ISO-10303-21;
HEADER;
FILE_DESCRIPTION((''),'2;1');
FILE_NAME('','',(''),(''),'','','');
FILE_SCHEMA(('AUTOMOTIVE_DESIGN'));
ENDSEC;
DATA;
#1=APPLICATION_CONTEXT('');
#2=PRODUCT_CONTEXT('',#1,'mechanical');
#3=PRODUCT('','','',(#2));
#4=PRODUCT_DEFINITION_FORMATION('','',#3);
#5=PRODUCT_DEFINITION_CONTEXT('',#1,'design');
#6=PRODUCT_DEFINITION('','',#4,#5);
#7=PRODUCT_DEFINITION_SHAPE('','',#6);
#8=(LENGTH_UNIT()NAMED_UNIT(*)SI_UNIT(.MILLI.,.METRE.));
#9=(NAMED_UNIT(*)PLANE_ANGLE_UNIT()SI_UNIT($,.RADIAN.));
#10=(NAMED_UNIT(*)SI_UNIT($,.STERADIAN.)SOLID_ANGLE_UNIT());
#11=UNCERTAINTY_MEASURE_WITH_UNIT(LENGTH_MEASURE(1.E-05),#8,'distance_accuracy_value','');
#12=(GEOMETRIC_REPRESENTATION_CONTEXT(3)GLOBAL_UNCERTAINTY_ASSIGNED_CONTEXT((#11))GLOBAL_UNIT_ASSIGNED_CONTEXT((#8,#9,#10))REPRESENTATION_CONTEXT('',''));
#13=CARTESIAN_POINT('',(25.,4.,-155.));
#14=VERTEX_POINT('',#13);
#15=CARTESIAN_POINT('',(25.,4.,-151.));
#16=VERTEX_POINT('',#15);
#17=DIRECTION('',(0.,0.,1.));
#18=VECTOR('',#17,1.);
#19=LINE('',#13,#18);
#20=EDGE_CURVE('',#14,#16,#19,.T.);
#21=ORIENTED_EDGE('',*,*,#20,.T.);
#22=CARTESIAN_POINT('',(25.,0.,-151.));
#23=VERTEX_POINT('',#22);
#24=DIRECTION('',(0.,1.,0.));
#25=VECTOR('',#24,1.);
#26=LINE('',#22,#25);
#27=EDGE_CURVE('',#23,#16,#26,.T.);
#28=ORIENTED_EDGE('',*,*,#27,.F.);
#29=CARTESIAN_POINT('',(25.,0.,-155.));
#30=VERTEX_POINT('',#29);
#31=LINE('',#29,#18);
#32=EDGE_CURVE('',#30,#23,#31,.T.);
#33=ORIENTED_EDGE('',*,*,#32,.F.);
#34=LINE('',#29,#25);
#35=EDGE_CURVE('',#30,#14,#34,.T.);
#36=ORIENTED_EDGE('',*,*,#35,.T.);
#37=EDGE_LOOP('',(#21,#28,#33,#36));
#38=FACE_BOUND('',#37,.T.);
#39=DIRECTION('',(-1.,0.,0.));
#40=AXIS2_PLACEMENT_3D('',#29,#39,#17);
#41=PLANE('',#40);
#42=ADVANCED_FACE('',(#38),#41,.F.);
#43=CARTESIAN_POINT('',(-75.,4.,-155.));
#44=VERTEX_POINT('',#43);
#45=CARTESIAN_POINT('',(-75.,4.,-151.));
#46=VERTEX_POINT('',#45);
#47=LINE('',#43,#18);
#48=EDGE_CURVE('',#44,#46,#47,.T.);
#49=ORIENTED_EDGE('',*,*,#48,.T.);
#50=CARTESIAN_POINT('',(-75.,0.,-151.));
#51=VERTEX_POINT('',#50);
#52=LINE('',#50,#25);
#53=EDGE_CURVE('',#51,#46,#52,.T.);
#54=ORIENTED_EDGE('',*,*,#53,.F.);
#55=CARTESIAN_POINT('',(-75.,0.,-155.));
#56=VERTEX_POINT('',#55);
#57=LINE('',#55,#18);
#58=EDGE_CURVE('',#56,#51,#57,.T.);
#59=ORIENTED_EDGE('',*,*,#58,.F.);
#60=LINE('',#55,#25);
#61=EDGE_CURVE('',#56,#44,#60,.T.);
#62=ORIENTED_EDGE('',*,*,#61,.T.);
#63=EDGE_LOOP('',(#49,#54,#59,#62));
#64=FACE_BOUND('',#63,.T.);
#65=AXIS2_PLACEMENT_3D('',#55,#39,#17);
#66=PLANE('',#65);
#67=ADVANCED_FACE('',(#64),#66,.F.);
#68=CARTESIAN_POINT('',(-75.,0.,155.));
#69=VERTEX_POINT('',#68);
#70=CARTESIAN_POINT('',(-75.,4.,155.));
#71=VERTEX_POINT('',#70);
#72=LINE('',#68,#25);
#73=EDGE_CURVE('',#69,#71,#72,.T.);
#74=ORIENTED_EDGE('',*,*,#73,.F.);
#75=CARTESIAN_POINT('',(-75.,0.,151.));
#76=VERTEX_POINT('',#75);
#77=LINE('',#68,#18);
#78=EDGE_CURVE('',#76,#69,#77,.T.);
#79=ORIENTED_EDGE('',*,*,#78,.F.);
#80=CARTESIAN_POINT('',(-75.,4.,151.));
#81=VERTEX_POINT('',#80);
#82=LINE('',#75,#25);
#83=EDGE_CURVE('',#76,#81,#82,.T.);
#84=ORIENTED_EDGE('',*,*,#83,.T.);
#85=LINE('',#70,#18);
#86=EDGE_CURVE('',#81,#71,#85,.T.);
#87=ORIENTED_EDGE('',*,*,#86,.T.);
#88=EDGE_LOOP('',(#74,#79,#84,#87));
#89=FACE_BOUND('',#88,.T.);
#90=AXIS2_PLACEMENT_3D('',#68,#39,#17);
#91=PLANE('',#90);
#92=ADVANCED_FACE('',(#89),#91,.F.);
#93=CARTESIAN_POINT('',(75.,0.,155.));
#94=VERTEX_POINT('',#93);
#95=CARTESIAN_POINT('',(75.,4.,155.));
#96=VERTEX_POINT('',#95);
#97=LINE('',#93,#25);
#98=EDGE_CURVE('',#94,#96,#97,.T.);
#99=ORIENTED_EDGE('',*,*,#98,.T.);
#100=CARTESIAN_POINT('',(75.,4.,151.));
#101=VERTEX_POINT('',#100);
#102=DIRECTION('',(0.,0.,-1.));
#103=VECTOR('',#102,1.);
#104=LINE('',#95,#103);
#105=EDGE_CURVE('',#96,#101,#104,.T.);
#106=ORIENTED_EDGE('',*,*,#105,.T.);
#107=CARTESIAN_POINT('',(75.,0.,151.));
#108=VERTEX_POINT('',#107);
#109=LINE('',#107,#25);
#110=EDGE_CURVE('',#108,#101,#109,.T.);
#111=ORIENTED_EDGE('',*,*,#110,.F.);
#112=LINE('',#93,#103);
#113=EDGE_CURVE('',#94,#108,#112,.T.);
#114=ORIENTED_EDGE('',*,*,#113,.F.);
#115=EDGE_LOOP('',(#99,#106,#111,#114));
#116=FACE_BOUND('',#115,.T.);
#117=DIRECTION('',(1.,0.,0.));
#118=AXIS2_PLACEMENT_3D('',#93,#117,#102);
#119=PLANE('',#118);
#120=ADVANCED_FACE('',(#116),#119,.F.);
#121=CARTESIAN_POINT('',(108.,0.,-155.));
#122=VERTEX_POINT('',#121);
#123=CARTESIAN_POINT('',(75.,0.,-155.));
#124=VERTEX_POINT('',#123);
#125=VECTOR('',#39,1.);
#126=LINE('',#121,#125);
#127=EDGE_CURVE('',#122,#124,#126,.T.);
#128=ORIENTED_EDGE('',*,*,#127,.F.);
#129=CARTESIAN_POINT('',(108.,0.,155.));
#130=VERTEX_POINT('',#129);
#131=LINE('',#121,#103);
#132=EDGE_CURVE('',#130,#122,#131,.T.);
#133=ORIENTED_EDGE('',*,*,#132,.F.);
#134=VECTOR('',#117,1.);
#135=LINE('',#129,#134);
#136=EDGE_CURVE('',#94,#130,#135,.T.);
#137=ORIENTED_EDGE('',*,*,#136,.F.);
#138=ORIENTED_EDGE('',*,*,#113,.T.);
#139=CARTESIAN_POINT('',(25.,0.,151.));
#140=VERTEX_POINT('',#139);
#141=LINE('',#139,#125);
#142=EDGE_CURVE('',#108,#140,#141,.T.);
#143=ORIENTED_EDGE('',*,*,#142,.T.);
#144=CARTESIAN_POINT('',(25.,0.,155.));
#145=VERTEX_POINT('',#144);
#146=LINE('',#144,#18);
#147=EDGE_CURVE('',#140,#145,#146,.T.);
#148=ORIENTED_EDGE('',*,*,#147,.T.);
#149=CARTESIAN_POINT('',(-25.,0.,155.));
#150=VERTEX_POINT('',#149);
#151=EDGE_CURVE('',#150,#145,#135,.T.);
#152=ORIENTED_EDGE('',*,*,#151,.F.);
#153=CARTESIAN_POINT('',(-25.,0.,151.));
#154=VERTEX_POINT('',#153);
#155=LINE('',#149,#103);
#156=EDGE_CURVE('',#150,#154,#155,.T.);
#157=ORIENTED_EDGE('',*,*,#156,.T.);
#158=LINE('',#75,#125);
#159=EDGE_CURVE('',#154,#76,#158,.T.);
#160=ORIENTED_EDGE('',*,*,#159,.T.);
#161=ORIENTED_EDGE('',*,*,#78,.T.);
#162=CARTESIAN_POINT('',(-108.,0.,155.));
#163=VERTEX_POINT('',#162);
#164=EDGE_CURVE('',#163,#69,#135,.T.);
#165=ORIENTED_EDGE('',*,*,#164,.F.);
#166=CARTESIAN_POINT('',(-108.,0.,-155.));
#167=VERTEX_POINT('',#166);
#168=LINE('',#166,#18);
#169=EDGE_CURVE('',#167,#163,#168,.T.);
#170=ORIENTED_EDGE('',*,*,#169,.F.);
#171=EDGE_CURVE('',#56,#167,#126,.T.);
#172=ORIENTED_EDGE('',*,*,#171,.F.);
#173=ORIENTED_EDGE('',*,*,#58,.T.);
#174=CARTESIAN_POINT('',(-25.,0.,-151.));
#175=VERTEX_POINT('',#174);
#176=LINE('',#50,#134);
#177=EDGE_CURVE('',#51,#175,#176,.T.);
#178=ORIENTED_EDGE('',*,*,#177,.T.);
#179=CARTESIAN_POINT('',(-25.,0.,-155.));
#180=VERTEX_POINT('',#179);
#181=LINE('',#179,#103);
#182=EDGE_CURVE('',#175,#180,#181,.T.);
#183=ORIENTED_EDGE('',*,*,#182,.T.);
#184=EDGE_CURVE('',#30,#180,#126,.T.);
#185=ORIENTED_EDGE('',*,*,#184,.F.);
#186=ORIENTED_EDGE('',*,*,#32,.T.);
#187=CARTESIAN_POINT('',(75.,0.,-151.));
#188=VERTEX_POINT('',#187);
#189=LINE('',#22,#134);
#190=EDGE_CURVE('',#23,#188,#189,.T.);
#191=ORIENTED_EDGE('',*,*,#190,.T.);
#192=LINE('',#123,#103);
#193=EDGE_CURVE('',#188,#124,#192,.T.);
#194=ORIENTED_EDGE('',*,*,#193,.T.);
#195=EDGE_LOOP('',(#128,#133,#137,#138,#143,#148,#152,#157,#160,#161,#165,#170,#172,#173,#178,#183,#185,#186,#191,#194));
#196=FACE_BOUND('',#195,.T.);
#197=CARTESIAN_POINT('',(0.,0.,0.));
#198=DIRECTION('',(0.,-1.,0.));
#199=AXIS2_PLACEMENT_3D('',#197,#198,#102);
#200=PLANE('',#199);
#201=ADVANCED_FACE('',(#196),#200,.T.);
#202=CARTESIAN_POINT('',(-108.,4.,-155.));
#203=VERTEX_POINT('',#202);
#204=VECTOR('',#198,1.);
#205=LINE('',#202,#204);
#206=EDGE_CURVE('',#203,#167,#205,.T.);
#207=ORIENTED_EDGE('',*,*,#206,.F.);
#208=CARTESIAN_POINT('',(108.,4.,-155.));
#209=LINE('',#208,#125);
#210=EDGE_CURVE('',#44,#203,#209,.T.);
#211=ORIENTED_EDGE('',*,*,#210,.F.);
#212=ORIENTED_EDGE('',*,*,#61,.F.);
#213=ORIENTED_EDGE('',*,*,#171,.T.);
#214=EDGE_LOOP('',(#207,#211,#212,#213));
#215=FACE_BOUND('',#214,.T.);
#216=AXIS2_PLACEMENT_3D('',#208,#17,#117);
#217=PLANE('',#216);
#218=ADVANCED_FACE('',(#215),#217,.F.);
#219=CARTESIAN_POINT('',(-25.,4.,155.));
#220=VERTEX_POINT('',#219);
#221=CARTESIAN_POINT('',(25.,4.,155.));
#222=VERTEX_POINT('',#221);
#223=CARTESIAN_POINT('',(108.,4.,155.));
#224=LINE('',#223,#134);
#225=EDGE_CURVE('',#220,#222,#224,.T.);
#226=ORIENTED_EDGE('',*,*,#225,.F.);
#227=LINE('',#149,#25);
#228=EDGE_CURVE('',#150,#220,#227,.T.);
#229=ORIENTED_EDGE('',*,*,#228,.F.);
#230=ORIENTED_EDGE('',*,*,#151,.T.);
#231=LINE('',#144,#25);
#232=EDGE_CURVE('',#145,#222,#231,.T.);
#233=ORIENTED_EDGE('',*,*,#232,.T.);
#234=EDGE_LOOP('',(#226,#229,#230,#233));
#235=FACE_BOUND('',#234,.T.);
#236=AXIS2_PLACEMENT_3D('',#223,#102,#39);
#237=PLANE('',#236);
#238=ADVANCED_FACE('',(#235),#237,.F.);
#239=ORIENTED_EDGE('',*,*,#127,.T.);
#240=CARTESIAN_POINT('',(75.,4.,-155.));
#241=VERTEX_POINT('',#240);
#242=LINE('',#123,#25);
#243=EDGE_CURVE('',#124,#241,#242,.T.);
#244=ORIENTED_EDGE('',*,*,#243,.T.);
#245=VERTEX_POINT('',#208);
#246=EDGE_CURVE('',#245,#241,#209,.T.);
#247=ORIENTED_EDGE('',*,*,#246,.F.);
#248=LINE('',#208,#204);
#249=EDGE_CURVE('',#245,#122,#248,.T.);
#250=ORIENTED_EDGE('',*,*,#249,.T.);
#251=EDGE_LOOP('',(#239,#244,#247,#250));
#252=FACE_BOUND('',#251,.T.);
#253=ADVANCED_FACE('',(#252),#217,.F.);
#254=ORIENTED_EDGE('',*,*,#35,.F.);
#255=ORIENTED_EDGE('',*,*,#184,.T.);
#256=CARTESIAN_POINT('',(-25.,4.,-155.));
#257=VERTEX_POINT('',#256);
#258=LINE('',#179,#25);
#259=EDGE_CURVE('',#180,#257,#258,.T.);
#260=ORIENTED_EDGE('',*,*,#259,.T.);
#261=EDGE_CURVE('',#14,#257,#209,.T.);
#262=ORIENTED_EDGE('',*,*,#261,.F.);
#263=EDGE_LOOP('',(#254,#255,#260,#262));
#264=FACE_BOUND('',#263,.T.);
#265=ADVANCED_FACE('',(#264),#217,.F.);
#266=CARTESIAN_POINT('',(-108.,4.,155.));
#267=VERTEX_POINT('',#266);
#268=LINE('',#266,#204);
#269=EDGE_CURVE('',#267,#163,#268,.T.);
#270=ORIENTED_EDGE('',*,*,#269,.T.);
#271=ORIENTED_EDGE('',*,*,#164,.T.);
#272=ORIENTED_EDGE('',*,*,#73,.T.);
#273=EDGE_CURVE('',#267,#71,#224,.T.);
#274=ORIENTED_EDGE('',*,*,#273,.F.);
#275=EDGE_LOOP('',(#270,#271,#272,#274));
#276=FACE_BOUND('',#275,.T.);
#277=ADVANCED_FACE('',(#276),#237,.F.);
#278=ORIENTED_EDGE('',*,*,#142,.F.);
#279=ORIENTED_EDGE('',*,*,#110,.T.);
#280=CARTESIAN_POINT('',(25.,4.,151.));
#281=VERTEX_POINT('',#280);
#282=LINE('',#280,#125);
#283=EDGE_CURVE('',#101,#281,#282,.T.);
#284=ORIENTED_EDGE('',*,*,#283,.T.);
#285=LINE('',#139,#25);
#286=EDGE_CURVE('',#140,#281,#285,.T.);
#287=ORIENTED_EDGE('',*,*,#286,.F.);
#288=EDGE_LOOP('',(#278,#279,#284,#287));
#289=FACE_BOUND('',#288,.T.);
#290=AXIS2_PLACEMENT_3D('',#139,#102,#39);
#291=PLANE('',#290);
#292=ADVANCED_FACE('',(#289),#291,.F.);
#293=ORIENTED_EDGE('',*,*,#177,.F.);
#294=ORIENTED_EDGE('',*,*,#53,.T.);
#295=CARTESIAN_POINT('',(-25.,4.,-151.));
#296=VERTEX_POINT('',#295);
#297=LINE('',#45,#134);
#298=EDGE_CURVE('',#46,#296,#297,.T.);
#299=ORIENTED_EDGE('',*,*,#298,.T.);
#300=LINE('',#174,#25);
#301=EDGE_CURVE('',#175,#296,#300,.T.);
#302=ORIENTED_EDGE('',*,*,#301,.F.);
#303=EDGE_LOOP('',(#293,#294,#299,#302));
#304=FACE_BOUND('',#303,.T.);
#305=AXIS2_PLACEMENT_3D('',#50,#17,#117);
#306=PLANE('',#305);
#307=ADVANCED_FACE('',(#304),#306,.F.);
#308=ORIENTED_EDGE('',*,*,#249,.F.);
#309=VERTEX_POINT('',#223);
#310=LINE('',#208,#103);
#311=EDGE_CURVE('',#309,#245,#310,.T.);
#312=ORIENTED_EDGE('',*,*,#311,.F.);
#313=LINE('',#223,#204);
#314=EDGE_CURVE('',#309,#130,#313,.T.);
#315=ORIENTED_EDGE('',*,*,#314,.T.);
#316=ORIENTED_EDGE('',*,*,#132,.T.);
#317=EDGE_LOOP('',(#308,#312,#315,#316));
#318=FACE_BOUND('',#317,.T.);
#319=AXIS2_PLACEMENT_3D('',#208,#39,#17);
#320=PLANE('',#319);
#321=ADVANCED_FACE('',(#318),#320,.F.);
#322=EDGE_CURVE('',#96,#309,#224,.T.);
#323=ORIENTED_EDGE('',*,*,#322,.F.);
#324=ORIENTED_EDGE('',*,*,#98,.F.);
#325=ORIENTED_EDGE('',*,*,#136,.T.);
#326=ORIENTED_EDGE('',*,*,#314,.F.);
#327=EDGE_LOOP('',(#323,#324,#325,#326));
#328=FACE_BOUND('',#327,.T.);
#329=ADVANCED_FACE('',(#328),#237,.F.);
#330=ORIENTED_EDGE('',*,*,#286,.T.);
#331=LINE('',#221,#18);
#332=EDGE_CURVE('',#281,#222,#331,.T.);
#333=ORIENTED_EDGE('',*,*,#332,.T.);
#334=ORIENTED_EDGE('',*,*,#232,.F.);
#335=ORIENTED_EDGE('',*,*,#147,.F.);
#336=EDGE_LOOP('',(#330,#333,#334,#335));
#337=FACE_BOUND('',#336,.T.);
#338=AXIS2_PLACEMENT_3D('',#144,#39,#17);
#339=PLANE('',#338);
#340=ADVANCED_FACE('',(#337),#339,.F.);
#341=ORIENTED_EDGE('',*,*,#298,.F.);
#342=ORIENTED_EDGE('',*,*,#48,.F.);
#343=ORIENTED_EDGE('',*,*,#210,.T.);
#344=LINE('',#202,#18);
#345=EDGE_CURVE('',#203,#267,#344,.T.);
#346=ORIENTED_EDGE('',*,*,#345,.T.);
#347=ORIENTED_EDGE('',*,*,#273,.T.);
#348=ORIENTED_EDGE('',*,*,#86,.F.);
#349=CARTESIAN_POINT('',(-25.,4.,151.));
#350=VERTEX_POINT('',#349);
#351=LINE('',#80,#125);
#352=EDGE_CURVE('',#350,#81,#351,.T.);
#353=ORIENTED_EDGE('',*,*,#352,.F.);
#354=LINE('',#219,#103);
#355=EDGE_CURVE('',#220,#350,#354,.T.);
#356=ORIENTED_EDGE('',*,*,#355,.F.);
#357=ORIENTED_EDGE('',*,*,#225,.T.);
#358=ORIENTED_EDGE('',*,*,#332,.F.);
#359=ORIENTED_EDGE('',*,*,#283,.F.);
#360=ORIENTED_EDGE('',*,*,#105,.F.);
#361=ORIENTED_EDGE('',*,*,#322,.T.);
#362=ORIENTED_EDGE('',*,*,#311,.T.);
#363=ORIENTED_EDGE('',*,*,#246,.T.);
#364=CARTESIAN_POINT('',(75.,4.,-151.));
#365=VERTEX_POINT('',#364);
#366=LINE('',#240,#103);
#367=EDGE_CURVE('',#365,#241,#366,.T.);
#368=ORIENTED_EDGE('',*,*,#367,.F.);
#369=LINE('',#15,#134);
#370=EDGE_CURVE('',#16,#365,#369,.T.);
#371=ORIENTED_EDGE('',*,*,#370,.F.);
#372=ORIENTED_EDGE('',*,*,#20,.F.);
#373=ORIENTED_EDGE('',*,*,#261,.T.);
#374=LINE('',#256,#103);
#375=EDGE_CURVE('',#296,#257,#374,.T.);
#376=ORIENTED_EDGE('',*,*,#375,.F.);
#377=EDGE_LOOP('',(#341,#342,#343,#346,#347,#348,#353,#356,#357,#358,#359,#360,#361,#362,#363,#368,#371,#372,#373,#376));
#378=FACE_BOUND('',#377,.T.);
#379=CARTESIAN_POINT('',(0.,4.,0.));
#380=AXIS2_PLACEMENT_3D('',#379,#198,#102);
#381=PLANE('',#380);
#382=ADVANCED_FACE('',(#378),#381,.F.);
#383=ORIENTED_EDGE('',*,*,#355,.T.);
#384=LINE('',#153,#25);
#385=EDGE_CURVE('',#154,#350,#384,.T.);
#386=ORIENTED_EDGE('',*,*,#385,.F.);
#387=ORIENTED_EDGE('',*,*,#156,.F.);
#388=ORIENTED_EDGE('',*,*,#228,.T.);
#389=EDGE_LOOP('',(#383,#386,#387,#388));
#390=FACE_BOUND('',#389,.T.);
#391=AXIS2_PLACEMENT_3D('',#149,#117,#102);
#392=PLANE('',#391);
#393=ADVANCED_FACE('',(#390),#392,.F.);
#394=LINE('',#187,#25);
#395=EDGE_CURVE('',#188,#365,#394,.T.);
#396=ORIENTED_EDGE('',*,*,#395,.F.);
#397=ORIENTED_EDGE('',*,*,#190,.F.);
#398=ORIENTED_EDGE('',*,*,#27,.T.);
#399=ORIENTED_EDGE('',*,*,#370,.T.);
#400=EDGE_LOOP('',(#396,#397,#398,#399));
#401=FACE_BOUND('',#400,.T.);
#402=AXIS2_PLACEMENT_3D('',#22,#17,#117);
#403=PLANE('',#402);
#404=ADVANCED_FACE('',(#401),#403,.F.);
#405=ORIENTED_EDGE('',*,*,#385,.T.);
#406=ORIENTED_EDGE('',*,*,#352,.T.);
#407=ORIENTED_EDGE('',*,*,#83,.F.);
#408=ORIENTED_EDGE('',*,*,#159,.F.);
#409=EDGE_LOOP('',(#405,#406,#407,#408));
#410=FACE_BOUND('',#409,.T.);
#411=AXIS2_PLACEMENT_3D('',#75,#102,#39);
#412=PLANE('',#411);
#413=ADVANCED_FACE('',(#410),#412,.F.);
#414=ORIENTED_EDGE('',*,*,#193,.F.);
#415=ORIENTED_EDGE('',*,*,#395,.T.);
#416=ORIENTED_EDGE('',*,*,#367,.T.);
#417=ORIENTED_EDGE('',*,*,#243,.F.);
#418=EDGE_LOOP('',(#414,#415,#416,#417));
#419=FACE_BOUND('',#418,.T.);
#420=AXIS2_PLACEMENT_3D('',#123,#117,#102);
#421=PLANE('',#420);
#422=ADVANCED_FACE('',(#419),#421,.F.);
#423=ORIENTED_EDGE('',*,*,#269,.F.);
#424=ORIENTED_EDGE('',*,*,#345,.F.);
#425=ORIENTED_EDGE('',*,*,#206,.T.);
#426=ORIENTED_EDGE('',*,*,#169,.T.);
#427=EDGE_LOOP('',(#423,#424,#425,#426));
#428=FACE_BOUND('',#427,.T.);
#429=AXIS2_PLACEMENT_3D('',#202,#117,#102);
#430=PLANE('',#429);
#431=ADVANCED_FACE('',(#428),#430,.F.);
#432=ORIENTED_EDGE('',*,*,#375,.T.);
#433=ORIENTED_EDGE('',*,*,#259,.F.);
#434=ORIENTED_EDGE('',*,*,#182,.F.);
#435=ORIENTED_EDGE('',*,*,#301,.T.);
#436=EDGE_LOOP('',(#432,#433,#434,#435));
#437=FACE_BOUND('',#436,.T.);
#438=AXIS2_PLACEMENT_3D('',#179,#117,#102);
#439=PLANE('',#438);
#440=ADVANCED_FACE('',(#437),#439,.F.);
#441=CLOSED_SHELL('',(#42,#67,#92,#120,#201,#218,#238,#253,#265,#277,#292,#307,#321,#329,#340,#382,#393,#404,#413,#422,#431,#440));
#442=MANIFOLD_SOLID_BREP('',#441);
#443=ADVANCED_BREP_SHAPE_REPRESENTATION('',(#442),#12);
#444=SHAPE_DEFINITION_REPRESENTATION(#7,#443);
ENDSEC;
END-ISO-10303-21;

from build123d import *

# Parameters (mm, degrees)
CROQUIS1_W              = 216
CROQUIS1_H              = 310
SALIENTE_EXTRUIR1_DEPTH = 4
CROQUIS2_W              = 50
CROQUIS2_H              = 4
CORTAR_EXTRUIR1_DEPTH   = 4


with BuildPart() as part:
    # Croquis1 → Saliente-Extruir1 (new body)
    with BuildSketch(Plane(origin=(0, 0, 0), x_dir=(1, 0, 0), z_dir=(0, 1, 0))):
        Rectangle(CROQUIS1_W, CROQUIS1_H)
    extrude(amount=SALIENTE_EXTRUIR1_DEPTH)

    # Croquis2 → Cortar-Extruir1 (cut)
    with BuildSketch(Plane(origin=(0, 4, 0), x_dir=(1, 0, 0), z_dir=(0, 1, 0))):
        with Locations((-50, -153)):
            Rectangle(CROQUIS2_W, CROQUIS2_H)
        with Locations((50, -153)):
            Rectangle(CROQUIS2_W, CROQUIS2_H)
        with Locations((-50, 153)):
            Rectangle(CROQUIS2_W, CROQUIS2_H)
        with Locations((50, 153)):
            Rectangle(CROQUIS2_W, CROQUIS2_H)
    extrude(amount=-CORTAR_EXTRUIR1_DEPTH, mode=Mode.SUBTRACT)


solid = part.part
